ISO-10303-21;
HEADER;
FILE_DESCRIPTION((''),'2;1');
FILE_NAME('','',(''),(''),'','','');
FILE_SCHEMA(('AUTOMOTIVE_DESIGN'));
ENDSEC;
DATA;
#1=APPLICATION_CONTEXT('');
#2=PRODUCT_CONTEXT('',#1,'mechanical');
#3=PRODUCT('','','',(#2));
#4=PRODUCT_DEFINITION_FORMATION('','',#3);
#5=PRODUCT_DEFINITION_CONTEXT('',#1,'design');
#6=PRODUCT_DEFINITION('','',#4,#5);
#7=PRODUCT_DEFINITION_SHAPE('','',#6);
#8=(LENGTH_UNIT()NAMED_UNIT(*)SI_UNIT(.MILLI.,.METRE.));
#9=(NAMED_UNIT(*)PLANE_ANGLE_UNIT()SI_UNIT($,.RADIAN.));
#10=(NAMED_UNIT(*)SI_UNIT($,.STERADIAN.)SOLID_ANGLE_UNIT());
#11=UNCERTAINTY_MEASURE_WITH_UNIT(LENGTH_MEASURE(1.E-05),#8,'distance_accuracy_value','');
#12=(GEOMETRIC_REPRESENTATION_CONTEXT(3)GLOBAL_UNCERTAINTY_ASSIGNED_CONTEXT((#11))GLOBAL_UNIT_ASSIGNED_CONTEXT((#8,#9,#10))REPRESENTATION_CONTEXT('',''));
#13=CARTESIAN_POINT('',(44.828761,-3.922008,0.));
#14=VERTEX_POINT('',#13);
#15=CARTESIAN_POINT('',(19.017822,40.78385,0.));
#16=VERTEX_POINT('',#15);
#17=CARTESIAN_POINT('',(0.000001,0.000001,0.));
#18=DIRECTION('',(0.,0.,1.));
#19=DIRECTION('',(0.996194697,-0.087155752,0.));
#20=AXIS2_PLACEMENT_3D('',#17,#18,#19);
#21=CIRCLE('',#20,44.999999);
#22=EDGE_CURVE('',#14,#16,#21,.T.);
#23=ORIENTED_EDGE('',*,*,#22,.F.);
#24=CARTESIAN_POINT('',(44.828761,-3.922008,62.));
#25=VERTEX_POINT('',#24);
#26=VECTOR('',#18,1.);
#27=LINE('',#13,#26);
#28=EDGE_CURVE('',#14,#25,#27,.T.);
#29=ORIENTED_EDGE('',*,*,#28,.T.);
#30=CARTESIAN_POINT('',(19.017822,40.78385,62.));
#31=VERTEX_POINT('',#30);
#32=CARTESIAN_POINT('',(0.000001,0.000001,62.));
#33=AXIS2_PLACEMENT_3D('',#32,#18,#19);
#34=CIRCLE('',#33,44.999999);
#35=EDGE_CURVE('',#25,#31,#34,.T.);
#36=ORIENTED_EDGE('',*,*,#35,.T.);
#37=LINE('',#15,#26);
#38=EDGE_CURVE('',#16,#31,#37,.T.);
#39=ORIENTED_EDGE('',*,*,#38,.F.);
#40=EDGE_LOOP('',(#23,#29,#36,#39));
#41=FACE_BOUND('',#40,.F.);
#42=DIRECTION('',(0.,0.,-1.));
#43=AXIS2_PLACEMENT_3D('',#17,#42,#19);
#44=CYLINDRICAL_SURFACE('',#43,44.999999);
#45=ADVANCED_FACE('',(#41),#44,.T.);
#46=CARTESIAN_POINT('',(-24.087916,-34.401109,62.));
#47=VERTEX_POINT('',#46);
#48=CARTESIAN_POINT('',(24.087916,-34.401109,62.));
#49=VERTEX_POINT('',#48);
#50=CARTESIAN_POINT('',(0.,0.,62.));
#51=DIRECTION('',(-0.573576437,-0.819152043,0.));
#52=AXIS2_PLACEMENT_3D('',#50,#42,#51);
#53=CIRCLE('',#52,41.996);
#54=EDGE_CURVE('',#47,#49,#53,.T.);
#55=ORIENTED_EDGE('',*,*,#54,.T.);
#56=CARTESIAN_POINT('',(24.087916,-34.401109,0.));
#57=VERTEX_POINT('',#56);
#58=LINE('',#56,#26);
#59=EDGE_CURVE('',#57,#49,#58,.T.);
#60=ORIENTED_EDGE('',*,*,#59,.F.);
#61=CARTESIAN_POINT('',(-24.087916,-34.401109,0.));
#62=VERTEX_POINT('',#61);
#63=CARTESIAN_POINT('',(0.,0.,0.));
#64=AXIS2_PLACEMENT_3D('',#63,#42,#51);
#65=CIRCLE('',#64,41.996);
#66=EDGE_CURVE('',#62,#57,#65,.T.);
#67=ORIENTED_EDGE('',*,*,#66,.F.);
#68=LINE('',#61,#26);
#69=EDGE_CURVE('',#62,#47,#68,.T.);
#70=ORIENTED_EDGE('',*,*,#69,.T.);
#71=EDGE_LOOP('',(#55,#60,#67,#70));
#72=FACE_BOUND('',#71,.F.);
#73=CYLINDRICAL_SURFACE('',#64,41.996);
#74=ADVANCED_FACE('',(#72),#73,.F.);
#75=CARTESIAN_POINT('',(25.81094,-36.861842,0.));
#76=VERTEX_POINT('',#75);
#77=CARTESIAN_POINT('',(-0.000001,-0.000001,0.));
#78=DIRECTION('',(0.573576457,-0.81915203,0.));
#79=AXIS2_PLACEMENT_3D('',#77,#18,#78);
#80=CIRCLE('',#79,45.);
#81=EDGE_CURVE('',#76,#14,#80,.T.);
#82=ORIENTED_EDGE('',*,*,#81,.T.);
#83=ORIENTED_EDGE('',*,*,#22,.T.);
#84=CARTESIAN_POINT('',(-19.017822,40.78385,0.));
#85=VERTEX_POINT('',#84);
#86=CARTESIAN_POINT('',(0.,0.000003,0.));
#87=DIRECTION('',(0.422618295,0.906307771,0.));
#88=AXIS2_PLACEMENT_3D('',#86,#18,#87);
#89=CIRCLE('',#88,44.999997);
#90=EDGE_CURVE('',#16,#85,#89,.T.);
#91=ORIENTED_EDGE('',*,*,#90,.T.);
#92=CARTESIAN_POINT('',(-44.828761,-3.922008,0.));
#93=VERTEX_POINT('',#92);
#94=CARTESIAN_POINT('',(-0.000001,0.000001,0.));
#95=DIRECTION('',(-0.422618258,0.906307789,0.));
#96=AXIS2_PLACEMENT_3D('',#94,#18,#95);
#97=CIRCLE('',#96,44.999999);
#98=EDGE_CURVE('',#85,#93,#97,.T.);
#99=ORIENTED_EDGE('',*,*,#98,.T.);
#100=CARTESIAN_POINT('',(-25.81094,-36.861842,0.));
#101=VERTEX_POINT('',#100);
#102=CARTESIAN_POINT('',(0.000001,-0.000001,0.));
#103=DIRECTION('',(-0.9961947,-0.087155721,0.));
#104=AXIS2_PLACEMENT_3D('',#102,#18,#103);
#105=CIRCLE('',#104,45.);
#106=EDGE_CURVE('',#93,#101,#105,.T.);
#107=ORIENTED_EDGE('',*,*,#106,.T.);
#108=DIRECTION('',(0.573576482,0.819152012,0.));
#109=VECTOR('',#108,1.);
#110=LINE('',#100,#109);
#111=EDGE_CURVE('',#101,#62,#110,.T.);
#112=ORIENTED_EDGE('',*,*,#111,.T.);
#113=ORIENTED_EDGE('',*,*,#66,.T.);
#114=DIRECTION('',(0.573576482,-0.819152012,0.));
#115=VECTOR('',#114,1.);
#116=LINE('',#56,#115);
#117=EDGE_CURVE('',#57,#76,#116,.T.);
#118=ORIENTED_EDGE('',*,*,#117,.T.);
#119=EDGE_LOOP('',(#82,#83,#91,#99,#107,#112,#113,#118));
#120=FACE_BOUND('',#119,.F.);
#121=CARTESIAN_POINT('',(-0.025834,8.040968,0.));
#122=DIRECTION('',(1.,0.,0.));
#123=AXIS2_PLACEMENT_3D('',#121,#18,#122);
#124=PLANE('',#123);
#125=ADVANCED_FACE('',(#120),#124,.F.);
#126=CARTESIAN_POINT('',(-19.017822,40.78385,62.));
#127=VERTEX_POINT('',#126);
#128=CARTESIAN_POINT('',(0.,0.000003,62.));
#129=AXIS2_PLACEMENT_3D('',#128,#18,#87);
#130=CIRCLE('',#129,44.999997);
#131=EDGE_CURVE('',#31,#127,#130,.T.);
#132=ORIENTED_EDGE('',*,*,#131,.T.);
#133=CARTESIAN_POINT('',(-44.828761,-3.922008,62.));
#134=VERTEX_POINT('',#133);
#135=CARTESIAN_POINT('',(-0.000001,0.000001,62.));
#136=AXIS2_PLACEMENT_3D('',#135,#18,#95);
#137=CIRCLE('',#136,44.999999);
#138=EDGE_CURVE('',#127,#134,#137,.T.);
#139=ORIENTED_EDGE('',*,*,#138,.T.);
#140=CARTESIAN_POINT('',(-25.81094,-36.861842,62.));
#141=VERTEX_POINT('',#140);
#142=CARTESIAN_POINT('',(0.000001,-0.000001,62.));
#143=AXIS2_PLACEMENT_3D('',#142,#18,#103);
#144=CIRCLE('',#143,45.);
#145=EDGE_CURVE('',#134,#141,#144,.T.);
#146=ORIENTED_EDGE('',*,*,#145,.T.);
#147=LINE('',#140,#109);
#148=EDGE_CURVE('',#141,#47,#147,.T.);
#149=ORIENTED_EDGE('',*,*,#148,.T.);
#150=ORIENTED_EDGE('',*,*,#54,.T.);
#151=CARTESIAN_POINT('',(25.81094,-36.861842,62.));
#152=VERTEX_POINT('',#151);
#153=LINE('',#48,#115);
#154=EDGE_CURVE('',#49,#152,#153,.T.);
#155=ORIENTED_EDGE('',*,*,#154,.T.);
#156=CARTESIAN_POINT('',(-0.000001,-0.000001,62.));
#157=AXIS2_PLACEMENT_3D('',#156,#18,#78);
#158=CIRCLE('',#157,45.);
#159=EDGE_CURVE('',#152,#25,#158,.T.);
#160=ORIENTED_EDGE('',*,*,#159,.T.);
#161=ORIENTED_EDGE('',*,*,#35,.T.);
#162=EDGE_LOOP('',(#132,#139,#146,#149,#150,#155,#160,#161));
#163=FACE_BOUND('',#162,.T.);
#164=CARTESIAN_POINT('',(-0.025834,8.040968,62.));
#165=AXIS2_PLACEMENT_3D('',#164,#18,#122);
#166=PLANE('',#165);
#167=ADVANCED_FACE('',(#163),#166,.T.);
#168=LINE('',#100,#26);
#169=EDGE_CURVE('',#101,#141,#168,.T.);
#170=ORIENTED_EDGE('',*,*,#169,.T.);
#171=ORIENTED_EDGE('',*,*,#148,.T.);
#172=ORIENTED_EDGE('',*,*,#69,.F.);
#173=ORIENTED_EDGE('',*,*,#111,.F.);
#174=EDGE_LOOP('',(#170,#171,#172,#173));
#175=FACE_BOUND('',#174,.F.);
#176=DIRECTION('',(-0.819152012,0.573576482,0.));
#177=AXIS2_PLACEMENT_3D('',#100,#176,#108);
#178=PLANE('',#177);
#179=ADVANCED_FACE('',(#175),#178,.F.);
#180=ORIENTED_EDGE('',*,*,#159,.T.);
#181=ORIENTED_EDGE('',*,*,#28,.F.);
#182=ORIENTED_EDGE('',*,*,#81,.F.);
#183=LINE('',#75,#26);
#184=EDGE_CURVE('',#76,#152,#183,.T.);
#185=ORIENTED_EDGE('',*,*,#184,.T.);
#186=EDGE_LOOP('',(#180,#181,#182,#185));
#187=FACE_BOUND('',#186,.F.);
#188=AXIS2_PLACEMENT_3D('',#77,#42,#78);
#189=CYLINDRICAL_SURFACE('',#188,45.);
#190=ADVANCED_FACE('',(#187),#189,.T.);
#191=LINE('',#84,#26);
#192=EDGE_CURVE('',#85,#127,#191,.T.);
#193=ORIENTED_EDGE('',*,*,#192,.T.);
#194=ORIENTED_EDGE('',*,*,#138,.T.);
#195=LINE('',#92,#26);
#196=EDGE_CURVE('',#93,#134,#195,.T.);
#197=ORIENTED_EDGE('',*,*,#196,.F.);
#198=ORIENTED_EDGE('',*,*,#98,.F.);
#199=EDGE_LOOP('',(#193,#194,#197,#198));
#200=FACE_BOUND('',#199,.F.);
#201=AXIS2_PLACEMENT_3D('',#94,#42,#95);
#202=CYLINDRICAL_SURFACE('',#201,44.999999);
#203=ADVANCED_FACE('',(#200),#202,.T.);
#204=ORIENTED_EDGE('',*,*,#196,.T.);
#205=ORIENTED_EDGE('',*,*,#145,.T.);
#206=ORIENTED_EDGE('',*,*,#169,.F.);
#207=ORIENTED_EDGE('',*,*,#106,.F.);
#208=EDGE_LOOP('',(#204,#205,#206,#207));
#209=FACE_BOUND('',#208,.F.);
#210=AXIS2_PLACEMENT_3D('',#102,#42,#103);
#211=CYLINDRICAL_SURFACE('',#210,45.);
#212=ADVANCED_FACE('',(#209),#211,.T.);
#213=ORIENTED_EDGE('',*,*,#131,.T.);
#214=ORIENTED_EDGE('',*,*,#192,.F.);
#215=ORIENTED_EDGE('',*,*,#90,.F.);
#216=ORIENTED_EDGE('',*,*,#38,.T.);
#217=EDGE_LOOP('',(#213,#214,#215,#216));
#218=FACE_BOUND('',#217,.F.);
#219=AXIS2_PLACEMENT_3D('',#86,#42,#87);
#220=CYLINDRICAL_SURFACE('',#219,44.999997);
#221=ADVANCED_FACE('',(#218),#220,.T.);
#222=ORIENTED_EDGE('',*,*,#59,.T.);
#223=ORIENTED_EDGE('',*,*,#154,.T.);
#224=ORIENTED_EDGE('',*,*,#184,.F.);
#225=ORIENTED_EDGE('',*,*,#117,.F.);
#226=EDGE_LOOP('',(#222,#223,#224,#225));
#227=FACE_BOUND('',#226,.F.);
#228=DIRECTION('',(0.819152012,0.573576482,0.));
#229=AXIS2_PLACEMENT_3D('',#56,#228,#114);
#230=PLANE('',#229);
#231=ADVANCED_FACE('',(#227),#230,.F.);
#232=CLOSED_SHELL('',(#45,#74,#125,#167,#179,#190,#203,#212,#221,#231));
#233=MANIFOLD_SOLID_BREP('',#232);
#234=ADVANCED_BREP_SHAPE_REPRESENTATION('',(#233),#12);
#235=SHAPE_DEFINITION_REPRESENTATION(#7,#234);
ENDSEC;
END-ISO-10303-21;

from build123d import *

# Parameters (mm, degrees)
F1_DEPTH = 62


with BuildPart() as f1:
    # F0 (on Top) → F1 (new body)
    with BuildSketch(Plane.XY):
        with BuildLine():
            Line((24.087916, -34.401109), (25.81094, -36.861842))
            ThreePointArc((25.81094, -36.861842), (38.971143, -22.5), (44.828761, -3.922008))
            Line((44.828761, -3.922008), (44.141387, -3.861871))
            ThreePointArc((44.141387, -3.861871), (38.373586, 22.155), (18.726215, 40.158498))
            Line((18.726215, 40.158498), (19.017822, 40.78385))
            ThreePointArc((19.017822, 40.78385), (0, 45), (-19.017822, 40.78385))
            Line((-19.017822, 40.78385), (-18.726215, 40.158498))
            ThreePointArc((-18.726215, 40.158498), (-19.990688, 39.54426), (-21.23504, 38.890219))
            ThreePointArc((-21.23504, 38.890219), (-38.373586, 22.155), (-44.297438, -1.055025))
            ThreePointArc((-44.297438, -1.055025), (-44.241678, -2.459686), (-44.141387, -3.861871))
            Line((-44.141387, -3.861871), (-44.828761, -3.922008))
            ThreePointArc((-44.828761, -3.922008), (-38.971143, -22.5), (-25.81094, -36.861842))
            Line((-25.81094, -36.861842), (-24.087916, -34.401109))
            ThreePointArc((-24.087916, -34.401109), (0, 41.996), (24.087916, -34.401109))
        make_face()
        with BuildLine():
            Line((44.141387, -3.861871), (44.828761, -3.922008))
            ThreePointArc((44.828761, -3.922008), (38.971143, 22.5), (19.017822, 40.78385))
            Line((19.017822, 40.78385), (18.726215, 40.158498))
            ThreePointArc((18.726215, 40.158498), (38.373586, 22.155), (44.141387, -3.861871))
        make_face()
        with BuildLine():
            Line((-18.726215, 40.158498), (-19.017822, 40.78385))
            ThreePointArc((-19.017822, 40.78385), (-38.971143, 22.5), (-44.828761, -3.922008))
            Line((-44.828761, -3.922008), (-44.141387, -3.861871))
            ThreePointArc((-44.141387, -3.861871), (-44.241678, -2.459686), (-44.297438, -1.055025))
            ThreePointArc((-44.297438, -1.055025), (-38.373586, 22.155), (-21.23504, 38.890219))
            ThreePointArc((-21.23504, 38.890219), (-19.990688, 39.54426), (-18.726215, 40.158498))
        make_face()
    extrude(amount=F1_DEPTH)


solid = f1.part
